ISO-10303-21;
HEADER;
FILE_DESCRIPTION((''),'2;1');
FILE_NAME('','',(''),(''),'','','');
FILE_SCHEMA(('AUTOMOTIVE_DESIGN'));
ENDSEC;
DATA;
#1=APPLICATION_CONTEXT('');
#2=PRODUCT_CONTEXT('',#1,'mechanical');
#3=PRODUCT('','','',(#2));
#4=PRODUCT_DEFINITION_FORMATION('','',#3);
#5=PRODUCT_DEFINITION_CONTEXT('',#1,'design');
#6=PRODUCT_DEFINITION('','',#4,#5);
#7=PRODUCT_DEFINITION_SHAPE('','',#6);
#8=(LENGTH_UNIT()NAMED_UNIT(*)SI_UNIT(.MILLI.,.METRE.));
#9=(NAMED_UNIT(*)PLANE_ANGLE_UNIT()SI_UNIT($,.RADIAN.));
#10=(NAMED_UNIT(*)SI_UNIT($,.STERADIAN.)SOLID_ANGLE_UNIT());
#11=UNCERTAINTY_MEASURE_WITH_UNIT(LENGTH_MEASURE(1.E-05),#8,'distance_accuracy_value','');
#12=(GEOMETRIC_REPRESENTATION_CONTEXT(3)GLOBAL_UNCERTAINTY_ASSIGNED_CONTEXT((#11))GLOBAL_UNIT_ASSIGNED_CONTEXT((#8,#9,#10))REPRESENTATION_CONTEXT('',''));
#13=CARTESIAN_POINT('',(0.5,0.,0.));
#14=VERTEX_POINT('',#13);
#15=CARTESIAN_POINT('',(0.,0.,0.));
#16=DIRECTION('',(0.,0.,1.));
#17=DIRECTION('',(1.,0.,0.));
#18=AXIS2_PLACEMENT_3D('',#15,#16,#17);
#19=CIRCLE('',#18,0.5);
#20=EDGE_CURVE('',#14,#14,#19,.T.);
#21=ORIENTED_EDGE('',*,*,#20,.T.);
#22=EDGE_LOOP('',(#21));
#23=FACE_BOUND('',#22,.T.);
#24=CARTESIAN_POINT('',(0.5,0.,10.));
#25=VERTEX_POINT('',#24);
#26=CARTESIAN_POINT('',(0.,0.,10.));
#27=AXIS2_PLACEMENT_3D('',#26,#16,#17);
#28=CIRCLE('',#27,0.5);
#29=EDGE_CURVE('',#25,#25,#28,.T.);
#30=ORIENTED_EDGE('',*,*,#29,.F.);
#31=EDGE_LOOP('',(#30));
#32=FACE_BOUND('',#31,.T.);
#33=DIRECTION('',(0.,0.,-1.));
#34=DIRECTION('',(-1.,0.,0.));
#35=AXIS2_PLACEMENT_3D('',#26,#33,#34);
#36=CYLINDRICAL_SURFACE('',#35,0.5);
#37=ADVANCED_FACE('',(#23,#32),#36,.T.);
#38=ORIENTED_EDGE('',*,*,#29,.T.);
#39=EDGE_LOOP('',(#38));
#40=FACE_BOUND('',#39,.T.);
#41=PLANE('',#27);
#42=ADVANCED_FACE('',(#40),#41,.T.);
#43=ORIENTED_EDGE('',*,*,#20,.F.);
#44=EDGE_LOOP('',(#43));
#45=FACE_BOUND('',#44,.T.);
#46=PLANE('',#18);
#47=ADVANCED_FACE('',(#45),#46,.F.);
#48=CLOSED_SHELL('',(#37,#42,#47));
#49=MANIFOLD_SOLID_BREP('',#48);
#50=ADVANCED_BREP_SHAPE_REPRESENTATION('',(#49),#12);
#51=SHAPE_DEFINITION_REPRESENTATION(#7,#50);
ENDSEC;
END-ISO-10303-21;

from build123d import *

# Parameters (mm, degrees)
SKETCH1_R           = 0.5
BOSS_EXTRUDE1_DEPTH = 10


with BuildPart() as part:
    # Sketch1 → Boss-Extrude1 (new body)
    with BuildSketch(Plane.XY):
        Circle(SKETCH1_R)
    extrude(amount=BOSS_EXTRUDE1_DEPTH)


solid = part.part
